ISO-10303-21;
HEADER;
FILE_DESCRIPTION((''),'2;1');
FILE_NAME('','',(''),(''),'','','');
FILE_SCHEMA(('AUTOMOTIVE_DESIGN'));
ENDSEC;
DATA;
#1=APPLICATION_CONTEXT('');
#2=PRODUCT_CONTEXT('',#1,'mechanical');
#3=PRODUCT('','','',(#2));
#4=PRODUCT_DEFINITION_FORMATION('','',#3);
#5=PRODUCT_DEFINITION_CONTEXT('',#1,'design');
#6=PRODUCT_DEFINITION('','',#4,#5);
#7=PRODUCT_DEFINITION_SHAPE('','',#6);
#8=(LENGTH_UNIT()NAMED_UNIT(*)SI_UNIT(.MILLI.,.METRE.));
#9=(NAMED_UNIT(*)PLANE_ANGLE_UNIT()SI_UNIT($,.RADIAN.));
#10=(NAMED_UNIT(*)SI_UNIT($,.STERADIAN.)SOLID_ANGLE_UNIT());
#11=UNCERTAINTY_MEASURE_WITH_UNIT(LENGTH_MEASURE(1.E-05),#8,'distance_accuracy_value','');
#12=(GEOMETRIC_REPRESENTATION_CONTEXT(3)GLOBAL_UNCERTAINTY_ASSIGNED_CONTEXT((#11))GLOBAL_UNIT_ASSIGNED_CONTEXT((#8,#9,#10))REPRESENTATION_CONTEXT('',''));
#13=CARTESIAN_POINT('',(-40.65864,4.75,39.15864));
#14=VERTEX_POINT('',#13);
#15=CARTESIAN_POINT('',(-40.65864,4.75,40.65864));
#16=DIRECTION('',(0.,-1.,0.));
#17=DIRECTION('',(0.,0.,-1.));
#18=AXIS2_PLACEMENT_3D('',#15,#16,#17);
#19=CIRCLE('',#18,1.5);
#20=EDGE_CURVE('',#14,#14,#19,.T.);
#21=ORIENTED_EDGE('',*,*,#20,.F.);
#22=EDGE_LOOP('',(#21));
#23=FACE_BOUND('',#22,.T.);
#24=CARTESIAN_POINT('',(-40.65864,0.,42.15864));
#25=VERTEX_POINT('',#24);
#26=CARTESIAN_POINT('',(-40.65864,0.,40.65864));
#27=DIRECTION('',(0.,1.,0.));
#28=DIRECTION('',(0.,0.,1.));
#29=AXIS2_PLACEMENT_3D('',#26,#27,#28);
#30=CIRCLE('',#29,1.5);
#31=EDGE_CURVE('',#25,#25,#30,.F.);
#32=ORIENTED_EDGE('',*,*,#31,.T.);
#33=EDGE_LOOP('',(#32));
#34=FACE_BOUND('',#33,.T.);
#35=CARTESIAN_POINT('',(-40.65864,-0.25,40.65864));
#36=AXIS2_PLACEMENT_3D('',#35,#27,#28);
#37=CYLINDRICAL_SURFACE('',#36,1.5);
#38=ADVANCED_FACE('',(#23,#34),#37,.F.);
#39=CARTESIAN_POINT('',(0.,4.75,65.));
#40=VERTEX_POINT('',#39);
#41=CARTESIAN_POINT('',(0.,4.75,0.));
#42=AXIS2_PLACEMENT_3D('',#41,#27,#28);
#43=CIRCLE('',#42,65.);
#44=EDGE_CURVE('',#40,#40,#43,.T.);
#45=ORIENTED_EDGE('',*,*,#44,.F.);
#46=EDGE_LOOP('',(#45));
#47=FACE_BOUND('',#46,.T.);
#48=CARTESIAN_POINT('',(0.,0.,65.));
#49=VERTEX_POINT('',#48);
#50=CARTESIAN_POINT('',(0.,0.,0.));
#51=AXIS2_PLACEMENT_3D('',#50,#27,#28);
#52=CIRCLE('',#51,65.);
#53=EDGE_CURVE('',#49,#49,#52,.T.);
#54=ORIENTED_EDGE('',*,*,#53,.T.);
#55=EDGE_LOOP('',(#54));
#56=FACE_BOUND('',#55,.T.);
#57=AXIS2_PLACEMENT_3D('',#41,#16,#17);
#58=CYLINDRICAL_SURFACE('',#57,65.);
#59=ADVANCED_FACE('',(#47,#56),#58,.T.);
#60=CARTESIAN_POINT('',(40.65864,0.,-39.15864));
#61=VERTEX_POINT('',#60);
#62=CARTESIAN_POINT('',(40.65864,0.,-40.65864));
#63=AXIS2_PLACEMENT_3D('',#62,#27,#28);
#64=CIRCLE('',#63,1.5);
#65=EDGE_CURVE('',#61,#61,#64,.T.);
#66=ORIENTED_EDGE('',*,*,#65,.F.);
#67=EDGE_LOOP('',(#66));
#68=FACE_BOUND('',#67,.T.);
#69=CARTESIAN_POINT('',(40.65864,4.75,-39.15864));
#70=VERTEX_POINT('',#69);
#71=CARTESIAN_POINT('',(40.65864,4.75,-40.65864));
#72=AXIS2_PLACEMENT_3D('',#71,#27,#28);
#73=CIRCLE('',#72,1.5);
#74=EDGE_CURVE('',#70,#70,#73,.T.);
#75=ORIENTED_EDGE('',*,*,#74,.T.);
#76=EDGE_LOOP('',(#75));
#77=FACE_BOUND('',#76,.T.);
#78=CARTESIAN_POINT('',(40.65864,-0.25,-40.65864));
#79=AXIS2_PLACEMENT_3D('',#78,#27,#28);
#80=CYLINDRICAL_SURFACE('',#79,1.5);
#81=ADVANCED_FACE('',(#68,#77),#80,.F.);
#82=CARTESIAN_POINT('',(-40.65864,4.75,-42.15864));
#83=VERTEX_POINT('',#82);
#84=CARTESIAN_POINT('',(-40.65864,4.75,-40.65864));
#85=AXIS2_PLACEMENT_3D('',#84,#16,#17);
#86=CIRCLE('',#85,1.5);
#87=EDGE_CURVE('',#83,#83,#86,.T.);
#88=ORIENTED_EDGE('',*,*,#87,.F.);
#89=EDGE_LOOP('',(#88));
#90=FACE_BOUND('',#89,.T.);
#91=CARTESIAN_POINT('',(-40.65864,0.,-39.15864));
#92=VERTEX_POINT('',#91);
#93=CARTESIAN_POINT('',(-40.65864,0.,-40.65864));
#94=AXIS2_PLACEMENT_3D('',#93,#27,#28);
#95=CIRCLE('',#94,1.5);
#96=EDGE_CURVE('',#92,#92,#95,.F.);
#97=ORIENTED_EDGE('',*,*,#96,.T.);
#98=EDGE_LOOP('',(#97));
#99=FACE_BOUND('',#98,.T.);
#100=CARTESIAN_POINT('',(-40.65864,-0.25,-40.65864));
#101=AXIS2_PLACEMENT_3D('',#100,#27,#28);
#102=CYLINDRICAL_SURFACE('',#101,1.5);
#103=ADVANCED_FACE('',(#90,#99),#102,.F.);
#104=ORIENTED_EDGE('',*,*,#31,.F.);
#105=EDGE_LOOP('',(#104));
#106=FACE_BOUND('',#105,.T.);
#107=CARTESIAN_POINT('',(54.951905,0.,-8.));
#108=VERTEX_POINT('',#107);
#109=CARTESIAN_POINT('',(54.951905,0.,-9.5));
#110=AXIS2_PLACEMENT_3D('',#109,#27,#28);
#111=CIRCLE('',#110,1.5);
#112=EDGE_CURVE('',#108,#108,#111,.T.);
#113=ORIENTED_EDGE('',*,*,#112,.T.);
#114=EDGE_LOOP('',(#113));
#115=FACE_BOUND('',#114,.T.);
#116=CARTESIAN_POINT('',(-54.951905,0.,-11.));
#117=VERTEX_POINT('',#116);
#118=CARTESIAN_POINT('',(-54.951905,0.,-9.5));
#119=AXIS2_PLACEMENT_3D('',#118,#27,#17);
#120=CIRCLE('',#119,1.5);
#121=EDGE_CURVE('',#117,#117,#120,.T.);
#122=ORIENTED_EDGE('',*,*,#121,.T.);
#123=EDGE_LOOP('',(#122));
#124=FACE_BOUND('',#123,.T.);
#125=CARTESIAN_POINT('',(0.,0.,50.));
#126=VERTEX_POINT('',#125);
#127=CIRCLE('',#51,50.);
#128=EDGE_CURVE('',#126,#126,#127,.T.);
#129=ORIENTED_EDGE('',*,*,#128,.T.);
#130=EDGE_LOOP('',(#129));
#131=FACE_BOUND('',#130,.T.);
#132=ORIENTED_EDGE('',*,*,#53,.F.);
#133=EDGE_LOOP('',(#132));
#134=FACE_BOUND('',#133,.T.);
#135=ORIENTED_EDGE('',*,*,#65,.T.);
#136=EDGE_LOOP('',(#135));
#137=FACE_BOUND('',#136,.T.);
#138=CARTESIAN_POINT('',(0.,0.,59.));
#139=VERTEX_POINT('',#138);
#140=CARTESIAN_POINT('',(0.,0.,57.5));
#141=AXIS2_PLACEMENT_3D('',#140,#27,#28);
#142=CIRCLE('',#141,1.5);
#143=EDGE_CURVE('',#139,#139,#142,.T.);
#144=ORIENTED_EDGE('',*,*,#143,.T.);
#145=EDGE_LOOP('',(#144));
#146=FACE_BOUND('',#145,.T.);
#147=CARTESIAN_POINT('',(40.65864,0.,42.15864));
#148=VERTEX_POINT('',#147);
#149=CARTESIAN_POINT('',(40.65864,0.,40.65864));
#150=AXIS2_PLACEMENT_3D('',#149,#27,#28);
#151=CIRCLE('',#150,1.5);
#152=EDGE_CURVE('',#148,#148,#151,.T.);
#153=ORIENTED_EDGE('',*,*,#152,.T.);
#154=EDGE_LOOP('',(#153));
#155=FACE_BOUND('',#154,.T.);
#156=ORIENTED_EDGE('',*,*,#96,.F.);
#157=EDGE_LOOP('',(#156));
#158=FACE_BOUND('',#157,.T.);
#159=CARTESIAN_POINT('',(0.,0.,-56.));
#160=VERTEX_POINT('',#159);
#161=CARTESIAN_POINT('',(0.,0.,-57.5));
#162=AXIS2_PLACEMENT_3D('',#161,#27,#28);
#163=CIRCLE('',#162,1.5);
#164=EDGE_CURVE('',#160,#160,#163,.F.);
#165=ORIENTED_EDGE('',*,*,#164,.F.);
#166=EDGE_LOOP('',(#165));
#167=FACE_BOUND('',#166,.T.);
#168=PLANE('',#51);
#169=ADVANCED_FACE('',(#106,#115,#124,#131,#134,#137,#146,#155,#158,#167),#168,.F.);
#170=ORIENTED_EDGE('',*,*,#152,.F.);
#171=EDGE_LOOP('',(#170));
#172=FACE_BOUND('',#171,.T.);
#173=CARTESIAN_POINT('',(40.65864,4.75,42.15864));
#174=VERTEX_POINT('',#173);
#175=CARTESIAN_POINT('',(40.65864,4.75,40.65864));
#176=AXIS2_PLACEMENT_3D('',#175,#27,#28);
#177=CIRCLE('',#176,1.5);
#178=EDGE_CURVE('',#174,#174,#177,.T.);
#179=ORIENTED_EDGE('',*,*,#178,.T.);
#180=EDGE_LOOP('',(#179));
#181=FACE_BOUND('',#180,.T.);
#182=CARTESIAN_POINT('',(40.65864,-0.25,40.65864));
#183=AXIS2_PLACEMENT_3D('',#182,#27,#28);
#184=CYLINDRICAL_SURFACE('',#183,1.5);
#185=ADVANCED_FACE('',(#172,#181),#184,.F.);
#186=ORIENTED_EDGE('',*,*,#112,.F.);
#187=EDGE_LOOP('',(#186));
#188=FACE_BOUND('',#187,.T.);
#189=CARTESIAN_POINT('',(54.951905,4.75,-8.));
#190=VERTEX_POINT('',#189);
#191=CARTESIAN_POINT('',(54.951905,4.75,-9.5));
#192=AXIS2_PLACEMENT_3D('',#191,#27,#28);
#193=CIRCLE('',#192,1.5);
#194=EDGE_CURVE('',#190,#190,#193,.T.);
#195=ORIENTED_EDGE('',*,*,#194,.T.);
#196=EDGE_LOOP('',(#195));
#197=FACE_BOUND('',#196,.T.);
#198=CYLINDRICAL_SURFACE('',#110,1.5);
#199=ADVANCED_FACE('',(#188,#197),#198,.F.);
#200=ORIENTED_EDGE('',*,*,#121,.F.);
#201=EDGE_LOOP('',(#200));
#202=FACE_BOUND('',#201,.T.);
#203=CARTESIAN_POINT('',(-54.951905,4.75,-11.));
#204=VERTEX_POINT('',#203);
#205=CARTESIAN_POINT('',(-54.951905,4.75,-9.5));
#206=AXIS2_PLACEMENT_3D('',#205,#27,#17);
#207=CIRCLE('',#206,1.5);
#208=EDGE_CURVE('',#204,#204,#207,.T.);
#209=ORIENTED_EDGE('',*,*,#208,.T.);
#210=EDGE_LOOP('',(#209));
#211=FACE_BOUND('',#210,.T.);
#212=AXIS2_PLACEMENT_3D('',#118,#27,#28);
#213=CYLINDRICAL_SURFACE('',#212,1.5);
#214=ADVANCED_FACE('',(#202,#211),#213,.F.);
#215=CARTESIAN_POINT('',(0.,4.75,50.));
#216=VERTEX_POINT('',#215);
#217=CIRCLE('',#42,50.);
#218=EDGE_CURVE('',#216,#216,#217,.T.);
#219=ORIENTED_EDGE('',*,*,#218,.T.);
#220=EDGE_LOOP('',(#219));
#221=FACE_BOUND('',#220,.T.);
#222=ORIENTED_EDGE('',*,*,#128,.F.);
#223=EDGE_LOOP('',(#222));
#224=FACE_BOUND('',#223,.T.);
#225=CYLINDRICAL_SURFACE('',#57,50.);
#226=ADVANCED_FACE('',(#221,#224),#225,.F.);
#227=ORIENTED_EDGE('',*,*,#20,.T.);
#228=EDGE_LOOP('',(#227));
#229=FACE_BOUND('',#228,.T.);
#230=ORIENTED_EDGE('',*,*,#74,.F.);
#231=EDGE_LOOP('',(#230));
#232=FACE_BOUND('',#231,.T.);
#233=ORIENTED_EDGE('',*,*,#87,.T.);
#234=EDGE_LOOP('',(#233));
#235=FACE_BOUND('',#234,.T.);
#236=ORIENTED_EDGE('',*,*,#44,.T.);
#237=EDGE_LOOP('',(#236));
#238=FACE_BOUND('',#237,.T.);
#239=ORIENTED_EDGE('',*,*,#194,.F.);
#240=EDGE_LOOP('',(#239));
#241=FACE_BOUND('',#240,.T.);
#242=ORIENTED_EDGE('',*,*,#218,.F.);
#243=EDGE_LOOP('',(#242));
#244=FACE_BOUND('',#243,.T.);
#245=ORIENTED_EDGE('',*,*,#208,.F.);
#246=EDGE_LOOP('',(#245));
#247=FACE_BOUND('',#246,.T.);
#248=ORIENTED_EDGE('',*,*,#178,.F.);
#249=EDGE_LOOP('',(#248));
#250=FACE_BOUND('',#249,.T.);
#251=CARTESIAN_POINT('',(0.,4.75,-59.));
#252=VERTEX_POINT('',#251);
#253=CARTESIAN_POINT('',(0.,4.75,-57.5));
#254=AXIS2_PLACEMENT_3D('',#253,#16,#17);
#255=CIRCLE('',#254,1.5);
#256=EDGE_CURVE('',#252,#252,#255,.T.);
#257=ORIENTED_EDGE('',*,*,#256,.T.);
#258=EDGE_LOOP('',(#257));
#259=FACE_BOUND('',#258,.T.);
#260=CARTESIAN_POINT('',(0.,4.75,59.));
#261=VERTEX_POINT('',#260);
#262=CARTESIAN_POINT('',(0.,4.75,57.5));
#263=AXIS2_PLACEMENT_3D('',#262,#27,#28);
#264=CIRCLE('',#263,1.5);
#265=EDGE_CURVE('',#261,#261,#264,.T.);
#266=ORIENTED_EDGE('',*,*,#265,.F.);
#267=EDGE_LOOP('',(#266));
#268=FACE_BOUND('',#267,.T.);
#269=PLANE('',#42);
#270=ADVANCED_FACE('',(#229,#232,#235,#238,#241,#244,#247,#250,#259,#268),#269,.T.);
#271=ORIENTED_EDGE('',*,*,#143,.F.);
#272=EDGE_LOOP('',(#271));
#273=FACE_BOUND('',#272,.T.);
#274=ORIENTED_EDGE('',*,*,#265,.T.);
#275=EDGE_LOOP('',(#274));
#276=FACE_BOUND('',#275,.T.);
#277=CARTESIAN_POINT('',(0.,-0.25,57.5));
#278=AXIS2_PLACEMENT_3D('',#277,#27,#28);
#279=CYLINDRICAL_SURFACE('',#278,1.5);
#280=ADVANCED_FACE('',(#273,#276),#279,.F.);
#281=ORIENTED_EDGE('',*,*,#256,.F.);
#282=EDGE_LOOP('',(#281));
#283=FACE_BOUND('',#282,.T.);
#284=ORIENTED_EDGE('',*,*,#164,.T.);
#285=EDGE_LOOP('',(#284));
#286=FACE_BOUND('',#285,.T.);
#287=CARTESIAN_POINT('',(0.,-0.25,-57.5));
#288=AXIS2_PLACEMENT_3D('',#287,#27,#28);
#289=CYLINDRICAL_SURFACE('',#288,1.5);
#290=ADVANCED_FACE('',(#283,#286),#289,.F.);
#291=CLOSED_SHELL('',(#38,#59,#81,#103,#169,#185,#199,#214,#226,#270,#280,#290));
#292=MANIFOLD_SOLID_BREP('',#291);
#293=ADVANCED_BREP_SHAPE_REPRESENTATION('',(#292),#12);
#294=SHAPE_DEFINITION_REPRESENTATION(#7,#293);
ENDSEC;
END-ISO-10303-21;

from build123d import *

# Parameters (mm, degrees)
SKETCH1_R           = 65
SKETCH1_R_2         = 50
BOSS_EXTRUDE1_DEPTH = 4.75
SKETCH2_R           = 1.5
CUT_EXTRUDE1_DEPTH  = 5
SKETCH3_R           = 1.5
CUT_EXTRUDE2_DEPTH  = 93.046523563


with BuildPart() as part:
    # Sketch1 → Boss-Extrude1 (new body)
    with BuildSketch(Plane(origin=(0, 0, 0), x_dir=(1, 0, 0), z_dir=(0, 1, 0))):
        Circle(SKETCH1_R)
        Circle(SKETCH1_R_2, mode=Mode.SUBTRACT)
    extrude(amount=BOSS_EXTRUDE1_DEPTH)

    # Sketch2 → Cut-Extrude1 (cut)
    with BuildSketch(Plane(origin=(0, 4.75, 0), x_dir=(1, 0, 0), z_dir=(0, 1, 0))):
        with Locations((40.658639918, 40.658639918)):
            Circle(SKETCH2_R)
        with Locations((40.658639918, -40.658639918)):
            Circle(SKETCH2_R)
        with Locations((0, -57.5)):
            Circle(SKETCH2_R)
        with Locations((-40.658639918, 40.658639918)):
            Circle(SKETCH2_R)
        with Locations((0, 57.5)):
            Circle(SKETCH2_R)
        with Locations((-40.658639918, -40.658639918)):
            Circle(SKETCH2_R)
    extrude(amount=-CUT_EXTRUDE1_DEPTH, mode=Mode.SUBTRACT)

    # Sketch3 → Cut-Extrude2 (cut, through all)
    with BuildSketch(Plane(origin=(0, 4.75, 0), x_dir=(1, 0, 0), z_dir=(0, 1, 0))):
        with Locations((54.951905284, 9.5)):
            Circle(SKETCH3_R)
        with Locations((-54.951905284, 9.5)):
            Circle(SKETCH3_R)
    extrude(amount=-CUT_EXTRUDE2_DEPTH, mode=Mode.SUBTRACT)


solid = part.part
